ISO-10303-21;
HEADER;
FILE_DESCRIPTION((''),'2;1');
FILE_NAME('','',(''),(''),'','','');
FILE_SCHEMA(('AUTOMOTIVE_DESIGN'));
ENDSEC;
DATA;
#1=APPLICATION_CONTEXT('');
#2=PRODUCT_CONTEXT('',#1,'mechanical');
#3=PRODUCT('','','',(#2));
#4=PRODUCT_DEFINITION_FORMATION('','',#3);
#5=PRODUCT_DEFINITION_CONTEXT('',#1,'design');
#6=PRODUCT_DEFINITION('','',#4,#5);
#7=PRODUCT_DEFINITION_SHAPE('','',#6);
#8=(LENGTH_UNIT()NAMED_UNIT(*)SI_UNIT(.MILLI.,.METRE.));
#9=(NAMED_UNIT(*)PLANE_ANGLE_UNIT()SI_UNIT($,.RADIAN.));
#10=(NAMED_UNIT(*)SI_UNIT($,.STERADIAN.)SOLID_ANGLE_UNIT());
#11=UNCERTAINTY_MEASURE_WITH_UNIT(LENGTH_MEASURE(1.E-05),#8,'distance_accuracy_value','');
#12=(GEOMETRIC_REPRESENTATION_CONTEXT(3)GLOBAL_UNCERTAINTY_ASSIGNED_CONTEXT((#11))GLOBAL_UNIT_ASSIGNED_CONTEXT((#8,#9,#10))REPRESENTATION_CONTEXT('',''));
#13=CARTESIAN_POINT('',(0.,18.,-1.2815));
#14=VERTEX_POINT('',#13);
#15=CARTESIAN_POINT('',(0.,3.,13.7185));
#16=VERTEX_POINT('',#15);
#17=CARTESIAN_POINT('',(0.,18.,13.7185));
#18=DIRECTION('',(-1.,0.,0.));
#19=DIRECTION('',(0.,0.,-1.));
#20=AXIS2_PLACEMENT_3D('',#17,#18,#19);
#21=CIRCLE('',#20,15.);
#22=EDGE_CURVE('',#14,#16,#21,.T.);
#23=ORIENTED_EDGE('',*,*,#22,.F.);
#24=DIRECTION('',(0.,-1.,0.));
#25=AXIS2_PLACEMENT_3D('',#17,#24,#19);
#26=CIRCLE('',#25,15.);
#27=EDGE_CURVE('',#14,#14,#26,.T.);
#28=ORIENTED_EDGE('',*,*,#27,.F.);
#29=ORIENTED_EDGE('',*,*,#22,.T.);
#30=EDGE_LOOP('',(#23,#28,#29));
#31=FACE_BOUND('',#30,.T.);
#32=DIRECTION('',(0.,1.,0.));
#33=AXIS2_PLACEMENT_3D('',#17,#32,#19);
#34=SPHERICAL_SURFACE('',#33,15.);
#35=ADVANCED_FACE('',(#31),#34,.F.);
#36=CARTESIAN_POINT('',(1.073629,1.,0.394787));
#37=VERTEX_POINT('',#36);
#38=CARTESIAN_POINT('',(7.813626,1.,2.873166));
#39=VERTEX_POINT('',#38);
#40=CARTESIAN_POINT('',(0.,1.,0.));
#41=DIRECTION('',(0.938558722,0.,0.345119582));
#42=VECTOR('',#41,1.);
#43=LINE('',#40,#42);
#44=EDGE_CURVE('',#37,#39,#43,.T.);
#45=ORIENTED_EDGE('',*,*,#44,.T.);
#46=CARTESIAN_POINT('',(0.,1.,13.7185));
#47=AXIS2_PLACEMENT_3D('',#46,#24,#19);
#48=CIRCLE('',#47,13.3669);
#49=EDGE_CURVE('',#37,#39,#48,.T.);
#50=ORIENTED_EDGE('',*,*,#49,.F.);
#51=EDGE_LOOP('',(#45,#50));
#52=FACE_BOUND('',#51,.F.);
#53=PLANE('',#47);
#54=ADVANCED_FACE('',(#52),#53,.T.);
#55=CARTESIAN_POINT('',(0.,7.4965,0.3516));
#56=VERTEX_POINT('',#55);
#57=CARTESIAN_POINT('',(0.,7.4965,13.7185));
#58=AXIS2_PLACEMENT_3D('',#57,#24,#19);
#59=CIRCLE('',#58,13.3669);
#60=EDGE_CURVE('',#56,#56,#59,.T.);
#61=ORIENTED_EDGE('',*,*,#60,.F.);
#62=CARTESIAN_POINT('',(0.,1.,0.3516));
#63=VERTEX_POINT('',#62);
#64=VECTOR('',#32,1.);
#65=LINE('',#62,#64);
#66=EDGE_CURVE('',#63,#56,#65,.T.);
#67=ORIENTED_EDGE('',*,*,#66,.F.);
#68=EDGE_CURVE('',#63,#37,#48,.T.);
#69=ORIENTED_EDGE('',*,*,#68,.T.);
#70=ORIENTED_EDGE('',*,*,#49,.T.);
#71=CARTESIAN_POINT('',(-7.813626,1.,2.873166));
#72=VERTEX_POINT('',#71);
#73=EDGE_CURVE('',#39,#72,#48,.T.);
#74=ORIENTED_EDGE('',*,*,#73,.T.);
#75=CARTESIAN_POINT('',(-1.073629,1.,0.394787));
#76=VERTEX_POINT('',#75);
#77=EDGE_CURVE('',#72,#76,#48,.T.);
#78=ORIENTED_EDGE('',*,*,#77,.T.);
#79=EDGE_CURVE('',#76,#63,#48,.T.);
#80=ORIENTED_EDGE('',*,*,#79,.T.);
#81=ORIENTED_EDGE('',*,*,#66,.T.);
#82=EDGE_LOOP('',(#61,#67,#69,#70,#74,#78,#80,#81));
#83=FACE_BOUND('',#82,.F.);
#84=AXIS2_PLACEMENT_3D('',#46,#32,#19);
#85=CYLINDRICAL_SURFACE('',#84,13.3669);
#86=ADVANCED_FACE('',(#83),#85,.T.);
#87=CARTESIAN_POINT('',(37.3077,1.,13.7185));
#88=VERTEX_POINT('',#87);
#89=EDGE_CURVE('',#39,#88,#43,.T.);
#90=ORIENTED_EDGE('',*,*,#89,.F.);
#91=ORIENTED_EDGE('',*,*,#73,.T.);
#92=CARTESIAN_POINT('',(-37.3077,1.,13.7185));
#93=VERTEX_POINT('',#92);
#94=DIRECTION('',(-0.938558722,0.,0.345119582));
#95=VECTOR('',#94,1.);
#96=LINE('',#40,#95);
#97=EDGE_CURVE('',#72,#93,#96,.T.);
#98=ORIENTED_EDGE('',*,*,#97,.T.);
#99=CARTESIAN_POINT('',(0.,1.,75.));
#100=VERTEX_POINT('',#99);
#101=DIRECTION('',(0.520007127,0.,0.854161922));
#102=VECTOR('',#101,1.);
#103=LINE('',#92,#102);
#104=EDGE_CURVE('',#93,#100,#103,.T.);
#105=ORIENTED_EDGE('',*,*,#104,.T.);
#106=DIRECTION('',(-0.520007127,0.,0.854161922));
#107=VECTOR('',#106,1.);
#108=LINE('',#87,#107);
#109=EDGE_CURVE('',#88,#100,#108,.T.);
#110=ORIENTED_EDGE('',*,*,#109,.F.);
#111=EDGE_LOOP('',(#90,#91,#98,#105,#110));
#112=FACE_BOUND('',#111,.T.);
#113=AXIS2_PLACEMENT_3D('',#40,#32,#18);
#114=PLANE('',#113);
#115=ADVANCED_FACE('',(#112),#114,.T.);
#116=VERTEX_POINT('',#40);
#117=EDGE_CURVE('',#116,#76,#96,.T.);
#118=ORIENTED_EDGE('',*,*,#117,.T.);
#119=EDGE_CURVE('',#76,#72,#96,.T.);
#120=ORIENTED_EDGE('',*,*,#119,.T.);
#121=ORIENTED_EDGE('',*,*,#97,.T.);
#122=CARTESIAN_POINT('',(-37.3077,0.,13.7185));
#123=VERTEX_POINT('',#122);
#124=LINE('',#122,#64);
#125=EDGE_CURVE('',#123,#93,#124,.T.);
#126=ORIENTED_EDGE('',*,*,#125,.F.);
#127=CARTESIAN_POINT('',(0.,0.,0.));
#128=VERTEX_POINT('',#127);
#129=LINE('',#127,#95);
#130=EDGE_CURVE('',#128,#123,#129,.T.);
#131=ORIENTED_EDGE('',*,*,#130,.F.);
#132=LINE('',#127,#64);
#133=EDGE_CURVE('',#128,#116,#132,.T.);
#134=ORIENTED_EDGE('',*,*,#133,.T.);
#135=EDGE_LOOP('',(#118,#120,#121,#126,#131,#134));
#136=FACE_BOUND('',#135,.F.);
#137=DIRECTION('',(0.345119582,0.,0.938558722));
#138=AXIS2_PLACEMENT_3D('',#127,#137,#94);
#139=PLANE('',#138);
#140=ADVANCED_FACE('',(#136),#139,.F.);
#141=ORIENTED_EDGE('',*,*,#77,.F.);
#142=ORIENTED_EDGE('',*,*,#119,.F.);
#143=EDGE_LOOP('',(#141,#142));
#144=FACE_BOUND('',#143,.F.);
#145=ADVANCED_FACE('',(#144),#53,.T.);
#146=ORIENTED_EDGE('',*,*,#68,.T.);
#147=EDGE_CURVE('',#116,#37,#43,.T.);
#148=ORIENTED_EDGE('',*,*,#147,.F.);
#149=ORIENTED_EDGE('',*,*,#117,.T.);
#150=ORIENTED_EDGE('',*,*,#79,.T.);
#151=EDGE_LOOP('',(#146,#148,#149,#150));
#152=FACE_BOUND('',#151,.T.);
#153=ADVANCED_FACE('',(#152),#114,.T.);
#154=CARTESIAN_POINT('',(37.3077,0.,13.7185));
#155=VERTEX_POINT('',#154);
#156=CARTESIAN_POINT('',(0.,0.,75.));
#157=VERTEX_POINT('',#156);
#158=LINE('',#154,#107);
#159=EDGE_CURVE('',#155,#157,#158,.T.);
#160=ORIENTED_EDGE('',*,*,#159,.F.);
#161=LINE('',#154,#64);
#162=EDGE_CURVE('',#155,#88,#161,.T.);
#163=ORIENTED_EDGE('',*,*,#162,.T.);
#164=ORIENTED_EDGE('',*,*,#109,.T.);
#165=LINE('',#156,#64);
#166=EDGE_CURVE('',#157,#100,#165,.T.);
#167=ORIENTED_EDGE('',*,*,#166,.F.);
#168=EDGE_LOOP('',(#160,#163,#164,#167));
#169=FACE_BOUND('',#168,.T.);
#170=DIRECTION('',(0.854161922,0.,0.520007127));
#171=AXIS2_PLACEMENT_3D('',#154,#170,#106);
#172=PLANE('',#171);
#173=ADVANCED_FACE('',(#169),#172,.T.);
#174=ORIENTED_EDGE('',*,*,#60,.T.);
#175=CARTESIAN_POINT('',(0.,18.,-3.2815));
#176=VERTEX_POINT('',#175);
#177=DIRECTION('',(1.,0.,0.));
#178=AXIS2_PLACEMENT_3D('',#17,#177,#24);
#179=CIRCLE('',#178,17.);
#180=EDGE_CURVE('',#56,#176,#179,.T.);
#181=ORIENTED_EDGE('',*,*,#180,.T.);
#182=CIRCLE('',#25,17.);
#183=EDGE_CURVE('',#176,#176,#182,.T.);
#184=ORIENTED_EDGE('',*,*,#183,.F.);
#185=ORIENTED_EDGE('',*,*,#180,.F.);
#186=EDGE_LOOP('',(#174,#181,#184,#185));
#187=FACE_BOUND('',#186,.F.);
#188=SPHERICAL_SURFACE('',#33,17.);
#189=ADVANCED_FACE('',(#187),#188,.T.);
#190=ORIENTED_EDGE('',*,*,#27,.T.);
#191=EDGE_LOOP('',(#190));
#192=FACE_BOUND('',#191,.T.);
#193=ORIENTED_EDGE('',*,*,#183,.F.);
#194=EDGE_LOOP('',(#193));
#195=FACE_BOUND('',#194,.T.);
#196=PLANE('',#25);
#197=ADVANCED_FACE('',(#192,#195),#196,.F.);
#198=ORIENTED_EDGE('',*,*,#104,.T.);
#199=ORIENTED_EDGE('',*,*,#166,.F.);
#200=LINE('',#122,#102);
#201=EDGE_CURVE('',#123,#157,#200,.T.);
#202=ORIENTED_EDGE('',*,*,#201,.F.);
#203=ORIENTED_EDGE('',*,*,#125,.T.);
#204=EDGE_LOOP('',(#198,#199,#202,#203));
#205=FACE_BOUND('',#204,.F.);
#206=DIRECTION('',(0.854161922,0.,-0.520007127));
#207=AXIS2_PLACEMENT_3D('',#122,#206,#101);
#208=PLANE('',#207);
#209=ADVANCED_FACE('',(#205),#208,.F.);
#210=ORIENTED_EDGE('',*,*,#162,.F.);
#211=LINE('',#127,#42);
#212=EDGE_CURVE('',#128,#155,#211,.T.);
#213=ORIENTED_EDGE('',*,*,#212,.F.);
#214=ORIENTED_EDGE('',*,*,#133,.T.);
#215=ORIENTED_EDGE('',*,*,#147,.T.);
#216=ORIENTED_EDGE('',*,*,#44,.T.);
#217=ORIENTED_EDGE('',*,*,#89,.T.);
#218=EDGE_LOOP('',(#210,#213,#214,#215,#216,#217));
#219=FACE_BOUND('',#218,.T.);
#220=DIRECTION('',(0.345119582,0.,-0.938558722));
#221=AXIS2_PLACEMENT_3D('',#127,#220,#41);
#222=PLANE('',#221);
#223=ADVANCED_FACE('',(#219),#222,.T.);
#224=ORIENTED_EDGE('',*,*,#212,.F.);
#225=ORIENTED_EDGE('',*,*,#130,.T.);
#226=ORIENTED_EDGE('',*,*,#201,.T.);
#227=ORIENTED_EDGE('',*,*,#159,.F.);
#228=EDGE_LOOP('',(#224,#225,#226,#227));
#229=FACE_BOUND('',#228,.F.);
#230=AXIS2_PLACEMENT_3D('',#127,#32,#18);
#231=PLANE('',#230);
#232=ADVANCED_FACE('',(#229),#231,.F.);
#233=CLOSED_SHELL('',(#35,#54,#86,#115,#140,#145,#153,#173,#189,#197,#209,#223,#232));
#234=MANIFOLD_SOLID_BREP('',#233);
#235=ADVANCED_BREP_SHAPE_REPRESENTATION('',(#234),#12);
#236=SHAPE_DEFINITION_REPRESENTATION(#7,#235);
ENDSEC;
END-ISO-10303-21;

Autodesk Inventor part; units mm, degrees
ref_plane "YZ Plane" through (0, 0, 0) normal (1, 0, 0) x (0, 1, 0)
ref_plane "XZ Plane" through (0, 0, 0) normal (0, 1, 0) x (-1, 0, 0)
ref_plane "XY Plane" through (0, 0, 0) normal (0, 0, 1) x (1, 0, 0)
sketch "Sketch1" plane through (0, 0, 0) normal (1, 0, 0) x (0, 1, 0)
  line L0 (0, 0) -> (0, 75)
  line L1 (0, 0) -> (37.5, 13.1838)
  line L2 (37.5, 13.1838) -> (0, 75)
  line L3 (0, 73.072) -> (36.006, 13.7185)
  line L4 (36.006, 13.7185) -> (0, 1.06)
  line L5 (36.006, 13.7185) -> (37.5, 13.1838)
  dimension "d0" = 75
  dimension "d1" = 37.5
  dimension "d2" = 39.75
  dimension "d3" = 1
sketch "Sketch2" plane through (0, 0, 0) normal (0, 1, 0) x (-1, 0, 0)
  line L0 (0, 0) -> (-37.3077, 13.7185)
  line L1 (-37.3077, 13.7185) -> (0, 75)
  line L2 (0, 0) -> (0, 75) projected
  line L3 (0, 13.7185) -> (0, 1.06) projected
  line L4 (0, 13.7185) -> (-37.3077, 13.7185) construction
  line L5 (0, 1.0655) -> (-35.8211, 14.2374)
  line L6 (-35.8211, 14.2374) -> (0, 73.077)
  line L7 (0, 0) -> (37.3077, 13.7185)
  line L8 (37.3077, 13.7185) -> (0, 75)
  line L9 (0, 1.0655) -> (35.8211, 14.2374)
  line L10 (35.8211, 14.2374) -> (0, 73.077)
  line L11 (-35.8211, 14.2374) -> (-37.3077, 13.7185)
  line L12 (35.8211, 14.2374) -> (37.3077, 13.7185)
  dimension "d4" = 39.75
  dimension "d5" = 1
extrude "Extrusion1" add sketch "Sketch2" along normal blind 1
sketch "Sketch6" plane through (0, 0, 0) normal (1, 0, 0) x (0, 1, 0)
  line L0 (37.5, 13.1838) -> (0, 75) projected
  line L1 (0, 73.072) -> (36.006, 13.7185) projected
  line L2 (0, 0) -> (37.5, 13.1838) projected
  line L3 (36.006, 13.7185) -> (0, 1.06) projected
  line L4 (1, 75) -> (1, 13.7185) projected
  line L5 (1, 13.7185) -> (1, 0) projected
  line L6 (36.006, 13.7185) -> (1, 13.7185)
  arc A0 (3, 13.7185) -> (18, -1.2815) centre (18, 13.7185) ccw
  line L7 (18, 13.7185) -> (18, -1.2815)
  line L8 (18, -1.2815) -> (18, -3.2815)
  arc A1 (1, 13.7185) -> (18, -3.2815) centre (18, 13.7185) ccw
  line L9 (1, 0.3516) -> (7.4965, 0.3516)
  dimension "d31" = 15
  dimension "d32" = 2
revolve "Revolution4" add sketch "Sketch6" angle 360 about axis through (0, 36.006, 13.7185) along (0, -1, 0) contours A0 L8 A1 L2 | L2 A1 L3 A0 | A1 L3 L5 | L6 A0 L3 A1 | A1 L9 L2 | L2 L5 L3 A1
properties part number "cabeza_1"
